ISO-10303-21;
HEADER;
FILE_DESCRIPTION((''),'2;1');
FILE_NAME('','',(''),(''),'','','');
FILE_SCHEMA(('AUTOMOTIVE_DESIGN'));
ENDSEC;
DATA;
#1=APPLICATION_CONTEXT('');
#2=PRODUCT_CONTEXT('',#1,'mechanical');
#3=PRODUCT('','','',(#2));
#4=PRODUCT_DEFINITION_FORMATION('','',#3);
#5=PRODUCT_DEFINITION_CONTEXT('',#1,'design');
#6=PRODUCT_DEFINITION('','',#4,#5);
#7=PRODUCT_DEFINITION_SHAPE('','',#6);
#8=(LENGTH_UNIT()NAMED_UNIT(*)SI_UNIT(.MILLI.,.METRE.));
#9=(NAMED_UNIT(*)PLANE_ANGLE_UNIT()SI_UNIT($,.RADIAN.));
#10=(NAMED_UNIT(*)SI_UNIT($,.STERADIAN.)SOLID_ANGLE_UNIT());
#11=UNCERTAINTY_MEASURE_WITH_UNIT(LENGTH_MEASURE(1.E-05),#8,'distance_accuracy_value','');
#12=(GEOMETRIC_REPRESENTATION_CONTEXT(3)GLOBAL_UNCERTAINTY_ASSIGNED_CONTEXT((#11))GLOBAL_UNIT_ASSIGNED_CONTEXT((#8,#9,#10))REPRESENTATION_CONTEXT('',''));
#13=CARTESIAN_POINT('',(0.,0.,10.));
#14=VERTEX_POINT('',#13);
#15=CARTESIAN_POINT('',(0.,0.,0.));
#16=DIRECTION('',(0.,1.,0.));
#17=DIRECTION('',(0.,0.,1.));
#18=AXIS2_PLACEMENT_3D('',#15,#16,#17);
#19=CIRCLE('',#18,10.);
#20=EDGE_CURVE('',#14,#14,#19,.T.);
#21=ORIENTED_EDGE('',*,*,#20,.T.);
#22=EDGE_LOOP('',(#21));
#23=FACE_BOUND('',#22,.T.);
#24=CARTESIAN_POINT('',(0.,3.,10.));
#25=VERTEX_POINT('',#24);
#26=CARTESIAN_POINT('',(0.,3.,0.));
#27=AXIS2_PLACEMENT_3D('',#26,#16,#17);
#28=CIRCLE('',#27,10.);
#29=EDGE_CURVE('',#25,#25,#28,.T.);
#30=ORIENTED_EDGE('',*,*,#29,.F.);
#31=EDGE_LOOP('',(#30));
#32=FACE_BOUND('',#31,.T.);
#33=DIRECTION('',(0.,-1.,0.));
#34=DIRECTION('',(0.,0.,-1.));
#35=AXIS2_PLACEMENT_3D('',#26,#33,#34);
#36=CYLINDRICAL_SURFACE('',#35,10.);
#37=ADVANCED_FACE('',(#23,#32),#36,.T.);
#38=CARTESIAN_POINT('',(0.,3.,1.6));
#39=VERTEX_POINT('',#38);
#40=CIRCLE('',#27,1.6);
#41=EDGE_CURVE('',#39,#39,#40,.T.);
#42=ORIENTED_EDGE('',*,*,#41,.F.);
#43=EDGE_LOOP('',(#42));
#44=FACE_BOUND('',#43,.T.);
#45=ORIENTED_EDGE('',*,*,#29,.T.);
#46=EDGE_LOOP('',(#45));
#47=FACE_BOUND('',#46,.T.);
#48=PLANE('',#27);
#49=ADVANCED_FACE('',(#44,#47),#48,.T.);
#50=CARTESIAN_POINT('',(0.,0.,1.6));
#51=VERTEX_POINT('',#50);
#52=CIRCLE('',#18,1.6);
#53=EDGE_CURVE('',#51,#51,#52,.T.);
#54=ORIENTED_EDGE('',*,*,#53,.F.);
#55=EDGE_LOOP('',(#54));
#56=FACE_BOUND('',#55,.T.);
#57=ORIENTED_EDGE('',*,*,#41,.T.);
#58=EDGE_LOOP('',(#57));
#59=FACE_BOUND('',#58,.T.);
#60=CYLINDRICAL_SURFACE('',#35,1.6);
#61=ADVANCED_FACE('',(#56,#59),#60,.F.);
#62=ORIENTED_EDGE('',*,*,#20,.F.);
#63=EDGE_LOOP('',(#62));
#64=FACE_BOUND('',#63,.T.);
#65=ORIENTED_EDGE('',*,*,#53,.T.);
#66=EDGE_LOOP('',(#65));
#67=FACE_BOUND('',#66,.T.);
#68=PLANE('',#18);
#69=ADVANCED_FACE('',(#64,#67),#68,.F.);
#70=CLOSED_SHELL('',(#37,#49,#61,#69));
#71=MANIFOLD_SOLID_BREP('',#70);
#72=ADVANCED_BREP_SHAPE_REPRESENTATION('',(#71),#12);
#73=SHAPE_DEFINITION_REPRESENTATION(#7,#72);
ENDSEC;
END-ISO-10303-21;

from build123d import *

# Parameters (mm, degrees)
SKETCH1_R           = 10
SKETCH1_R_2         = 1.6
BOSS_EXTRUDE1_DEPTH = 3


with BuildPart() as part:
    # Sketch1 → Boss-Extrude1 (new body)
    with BuildSketch(Plane(origin=(0, 0, 0), x_dir=(1, 0, 0), z_dir=(0, 1, 0))):
        Circle(SKETCH1_R)
        Circle(SKETCH1_R_2, mode=Mode.SUBTRACT)
    extrude(amount=BOSS_EXTRUDE1_DEPTH)


solid = part.part
